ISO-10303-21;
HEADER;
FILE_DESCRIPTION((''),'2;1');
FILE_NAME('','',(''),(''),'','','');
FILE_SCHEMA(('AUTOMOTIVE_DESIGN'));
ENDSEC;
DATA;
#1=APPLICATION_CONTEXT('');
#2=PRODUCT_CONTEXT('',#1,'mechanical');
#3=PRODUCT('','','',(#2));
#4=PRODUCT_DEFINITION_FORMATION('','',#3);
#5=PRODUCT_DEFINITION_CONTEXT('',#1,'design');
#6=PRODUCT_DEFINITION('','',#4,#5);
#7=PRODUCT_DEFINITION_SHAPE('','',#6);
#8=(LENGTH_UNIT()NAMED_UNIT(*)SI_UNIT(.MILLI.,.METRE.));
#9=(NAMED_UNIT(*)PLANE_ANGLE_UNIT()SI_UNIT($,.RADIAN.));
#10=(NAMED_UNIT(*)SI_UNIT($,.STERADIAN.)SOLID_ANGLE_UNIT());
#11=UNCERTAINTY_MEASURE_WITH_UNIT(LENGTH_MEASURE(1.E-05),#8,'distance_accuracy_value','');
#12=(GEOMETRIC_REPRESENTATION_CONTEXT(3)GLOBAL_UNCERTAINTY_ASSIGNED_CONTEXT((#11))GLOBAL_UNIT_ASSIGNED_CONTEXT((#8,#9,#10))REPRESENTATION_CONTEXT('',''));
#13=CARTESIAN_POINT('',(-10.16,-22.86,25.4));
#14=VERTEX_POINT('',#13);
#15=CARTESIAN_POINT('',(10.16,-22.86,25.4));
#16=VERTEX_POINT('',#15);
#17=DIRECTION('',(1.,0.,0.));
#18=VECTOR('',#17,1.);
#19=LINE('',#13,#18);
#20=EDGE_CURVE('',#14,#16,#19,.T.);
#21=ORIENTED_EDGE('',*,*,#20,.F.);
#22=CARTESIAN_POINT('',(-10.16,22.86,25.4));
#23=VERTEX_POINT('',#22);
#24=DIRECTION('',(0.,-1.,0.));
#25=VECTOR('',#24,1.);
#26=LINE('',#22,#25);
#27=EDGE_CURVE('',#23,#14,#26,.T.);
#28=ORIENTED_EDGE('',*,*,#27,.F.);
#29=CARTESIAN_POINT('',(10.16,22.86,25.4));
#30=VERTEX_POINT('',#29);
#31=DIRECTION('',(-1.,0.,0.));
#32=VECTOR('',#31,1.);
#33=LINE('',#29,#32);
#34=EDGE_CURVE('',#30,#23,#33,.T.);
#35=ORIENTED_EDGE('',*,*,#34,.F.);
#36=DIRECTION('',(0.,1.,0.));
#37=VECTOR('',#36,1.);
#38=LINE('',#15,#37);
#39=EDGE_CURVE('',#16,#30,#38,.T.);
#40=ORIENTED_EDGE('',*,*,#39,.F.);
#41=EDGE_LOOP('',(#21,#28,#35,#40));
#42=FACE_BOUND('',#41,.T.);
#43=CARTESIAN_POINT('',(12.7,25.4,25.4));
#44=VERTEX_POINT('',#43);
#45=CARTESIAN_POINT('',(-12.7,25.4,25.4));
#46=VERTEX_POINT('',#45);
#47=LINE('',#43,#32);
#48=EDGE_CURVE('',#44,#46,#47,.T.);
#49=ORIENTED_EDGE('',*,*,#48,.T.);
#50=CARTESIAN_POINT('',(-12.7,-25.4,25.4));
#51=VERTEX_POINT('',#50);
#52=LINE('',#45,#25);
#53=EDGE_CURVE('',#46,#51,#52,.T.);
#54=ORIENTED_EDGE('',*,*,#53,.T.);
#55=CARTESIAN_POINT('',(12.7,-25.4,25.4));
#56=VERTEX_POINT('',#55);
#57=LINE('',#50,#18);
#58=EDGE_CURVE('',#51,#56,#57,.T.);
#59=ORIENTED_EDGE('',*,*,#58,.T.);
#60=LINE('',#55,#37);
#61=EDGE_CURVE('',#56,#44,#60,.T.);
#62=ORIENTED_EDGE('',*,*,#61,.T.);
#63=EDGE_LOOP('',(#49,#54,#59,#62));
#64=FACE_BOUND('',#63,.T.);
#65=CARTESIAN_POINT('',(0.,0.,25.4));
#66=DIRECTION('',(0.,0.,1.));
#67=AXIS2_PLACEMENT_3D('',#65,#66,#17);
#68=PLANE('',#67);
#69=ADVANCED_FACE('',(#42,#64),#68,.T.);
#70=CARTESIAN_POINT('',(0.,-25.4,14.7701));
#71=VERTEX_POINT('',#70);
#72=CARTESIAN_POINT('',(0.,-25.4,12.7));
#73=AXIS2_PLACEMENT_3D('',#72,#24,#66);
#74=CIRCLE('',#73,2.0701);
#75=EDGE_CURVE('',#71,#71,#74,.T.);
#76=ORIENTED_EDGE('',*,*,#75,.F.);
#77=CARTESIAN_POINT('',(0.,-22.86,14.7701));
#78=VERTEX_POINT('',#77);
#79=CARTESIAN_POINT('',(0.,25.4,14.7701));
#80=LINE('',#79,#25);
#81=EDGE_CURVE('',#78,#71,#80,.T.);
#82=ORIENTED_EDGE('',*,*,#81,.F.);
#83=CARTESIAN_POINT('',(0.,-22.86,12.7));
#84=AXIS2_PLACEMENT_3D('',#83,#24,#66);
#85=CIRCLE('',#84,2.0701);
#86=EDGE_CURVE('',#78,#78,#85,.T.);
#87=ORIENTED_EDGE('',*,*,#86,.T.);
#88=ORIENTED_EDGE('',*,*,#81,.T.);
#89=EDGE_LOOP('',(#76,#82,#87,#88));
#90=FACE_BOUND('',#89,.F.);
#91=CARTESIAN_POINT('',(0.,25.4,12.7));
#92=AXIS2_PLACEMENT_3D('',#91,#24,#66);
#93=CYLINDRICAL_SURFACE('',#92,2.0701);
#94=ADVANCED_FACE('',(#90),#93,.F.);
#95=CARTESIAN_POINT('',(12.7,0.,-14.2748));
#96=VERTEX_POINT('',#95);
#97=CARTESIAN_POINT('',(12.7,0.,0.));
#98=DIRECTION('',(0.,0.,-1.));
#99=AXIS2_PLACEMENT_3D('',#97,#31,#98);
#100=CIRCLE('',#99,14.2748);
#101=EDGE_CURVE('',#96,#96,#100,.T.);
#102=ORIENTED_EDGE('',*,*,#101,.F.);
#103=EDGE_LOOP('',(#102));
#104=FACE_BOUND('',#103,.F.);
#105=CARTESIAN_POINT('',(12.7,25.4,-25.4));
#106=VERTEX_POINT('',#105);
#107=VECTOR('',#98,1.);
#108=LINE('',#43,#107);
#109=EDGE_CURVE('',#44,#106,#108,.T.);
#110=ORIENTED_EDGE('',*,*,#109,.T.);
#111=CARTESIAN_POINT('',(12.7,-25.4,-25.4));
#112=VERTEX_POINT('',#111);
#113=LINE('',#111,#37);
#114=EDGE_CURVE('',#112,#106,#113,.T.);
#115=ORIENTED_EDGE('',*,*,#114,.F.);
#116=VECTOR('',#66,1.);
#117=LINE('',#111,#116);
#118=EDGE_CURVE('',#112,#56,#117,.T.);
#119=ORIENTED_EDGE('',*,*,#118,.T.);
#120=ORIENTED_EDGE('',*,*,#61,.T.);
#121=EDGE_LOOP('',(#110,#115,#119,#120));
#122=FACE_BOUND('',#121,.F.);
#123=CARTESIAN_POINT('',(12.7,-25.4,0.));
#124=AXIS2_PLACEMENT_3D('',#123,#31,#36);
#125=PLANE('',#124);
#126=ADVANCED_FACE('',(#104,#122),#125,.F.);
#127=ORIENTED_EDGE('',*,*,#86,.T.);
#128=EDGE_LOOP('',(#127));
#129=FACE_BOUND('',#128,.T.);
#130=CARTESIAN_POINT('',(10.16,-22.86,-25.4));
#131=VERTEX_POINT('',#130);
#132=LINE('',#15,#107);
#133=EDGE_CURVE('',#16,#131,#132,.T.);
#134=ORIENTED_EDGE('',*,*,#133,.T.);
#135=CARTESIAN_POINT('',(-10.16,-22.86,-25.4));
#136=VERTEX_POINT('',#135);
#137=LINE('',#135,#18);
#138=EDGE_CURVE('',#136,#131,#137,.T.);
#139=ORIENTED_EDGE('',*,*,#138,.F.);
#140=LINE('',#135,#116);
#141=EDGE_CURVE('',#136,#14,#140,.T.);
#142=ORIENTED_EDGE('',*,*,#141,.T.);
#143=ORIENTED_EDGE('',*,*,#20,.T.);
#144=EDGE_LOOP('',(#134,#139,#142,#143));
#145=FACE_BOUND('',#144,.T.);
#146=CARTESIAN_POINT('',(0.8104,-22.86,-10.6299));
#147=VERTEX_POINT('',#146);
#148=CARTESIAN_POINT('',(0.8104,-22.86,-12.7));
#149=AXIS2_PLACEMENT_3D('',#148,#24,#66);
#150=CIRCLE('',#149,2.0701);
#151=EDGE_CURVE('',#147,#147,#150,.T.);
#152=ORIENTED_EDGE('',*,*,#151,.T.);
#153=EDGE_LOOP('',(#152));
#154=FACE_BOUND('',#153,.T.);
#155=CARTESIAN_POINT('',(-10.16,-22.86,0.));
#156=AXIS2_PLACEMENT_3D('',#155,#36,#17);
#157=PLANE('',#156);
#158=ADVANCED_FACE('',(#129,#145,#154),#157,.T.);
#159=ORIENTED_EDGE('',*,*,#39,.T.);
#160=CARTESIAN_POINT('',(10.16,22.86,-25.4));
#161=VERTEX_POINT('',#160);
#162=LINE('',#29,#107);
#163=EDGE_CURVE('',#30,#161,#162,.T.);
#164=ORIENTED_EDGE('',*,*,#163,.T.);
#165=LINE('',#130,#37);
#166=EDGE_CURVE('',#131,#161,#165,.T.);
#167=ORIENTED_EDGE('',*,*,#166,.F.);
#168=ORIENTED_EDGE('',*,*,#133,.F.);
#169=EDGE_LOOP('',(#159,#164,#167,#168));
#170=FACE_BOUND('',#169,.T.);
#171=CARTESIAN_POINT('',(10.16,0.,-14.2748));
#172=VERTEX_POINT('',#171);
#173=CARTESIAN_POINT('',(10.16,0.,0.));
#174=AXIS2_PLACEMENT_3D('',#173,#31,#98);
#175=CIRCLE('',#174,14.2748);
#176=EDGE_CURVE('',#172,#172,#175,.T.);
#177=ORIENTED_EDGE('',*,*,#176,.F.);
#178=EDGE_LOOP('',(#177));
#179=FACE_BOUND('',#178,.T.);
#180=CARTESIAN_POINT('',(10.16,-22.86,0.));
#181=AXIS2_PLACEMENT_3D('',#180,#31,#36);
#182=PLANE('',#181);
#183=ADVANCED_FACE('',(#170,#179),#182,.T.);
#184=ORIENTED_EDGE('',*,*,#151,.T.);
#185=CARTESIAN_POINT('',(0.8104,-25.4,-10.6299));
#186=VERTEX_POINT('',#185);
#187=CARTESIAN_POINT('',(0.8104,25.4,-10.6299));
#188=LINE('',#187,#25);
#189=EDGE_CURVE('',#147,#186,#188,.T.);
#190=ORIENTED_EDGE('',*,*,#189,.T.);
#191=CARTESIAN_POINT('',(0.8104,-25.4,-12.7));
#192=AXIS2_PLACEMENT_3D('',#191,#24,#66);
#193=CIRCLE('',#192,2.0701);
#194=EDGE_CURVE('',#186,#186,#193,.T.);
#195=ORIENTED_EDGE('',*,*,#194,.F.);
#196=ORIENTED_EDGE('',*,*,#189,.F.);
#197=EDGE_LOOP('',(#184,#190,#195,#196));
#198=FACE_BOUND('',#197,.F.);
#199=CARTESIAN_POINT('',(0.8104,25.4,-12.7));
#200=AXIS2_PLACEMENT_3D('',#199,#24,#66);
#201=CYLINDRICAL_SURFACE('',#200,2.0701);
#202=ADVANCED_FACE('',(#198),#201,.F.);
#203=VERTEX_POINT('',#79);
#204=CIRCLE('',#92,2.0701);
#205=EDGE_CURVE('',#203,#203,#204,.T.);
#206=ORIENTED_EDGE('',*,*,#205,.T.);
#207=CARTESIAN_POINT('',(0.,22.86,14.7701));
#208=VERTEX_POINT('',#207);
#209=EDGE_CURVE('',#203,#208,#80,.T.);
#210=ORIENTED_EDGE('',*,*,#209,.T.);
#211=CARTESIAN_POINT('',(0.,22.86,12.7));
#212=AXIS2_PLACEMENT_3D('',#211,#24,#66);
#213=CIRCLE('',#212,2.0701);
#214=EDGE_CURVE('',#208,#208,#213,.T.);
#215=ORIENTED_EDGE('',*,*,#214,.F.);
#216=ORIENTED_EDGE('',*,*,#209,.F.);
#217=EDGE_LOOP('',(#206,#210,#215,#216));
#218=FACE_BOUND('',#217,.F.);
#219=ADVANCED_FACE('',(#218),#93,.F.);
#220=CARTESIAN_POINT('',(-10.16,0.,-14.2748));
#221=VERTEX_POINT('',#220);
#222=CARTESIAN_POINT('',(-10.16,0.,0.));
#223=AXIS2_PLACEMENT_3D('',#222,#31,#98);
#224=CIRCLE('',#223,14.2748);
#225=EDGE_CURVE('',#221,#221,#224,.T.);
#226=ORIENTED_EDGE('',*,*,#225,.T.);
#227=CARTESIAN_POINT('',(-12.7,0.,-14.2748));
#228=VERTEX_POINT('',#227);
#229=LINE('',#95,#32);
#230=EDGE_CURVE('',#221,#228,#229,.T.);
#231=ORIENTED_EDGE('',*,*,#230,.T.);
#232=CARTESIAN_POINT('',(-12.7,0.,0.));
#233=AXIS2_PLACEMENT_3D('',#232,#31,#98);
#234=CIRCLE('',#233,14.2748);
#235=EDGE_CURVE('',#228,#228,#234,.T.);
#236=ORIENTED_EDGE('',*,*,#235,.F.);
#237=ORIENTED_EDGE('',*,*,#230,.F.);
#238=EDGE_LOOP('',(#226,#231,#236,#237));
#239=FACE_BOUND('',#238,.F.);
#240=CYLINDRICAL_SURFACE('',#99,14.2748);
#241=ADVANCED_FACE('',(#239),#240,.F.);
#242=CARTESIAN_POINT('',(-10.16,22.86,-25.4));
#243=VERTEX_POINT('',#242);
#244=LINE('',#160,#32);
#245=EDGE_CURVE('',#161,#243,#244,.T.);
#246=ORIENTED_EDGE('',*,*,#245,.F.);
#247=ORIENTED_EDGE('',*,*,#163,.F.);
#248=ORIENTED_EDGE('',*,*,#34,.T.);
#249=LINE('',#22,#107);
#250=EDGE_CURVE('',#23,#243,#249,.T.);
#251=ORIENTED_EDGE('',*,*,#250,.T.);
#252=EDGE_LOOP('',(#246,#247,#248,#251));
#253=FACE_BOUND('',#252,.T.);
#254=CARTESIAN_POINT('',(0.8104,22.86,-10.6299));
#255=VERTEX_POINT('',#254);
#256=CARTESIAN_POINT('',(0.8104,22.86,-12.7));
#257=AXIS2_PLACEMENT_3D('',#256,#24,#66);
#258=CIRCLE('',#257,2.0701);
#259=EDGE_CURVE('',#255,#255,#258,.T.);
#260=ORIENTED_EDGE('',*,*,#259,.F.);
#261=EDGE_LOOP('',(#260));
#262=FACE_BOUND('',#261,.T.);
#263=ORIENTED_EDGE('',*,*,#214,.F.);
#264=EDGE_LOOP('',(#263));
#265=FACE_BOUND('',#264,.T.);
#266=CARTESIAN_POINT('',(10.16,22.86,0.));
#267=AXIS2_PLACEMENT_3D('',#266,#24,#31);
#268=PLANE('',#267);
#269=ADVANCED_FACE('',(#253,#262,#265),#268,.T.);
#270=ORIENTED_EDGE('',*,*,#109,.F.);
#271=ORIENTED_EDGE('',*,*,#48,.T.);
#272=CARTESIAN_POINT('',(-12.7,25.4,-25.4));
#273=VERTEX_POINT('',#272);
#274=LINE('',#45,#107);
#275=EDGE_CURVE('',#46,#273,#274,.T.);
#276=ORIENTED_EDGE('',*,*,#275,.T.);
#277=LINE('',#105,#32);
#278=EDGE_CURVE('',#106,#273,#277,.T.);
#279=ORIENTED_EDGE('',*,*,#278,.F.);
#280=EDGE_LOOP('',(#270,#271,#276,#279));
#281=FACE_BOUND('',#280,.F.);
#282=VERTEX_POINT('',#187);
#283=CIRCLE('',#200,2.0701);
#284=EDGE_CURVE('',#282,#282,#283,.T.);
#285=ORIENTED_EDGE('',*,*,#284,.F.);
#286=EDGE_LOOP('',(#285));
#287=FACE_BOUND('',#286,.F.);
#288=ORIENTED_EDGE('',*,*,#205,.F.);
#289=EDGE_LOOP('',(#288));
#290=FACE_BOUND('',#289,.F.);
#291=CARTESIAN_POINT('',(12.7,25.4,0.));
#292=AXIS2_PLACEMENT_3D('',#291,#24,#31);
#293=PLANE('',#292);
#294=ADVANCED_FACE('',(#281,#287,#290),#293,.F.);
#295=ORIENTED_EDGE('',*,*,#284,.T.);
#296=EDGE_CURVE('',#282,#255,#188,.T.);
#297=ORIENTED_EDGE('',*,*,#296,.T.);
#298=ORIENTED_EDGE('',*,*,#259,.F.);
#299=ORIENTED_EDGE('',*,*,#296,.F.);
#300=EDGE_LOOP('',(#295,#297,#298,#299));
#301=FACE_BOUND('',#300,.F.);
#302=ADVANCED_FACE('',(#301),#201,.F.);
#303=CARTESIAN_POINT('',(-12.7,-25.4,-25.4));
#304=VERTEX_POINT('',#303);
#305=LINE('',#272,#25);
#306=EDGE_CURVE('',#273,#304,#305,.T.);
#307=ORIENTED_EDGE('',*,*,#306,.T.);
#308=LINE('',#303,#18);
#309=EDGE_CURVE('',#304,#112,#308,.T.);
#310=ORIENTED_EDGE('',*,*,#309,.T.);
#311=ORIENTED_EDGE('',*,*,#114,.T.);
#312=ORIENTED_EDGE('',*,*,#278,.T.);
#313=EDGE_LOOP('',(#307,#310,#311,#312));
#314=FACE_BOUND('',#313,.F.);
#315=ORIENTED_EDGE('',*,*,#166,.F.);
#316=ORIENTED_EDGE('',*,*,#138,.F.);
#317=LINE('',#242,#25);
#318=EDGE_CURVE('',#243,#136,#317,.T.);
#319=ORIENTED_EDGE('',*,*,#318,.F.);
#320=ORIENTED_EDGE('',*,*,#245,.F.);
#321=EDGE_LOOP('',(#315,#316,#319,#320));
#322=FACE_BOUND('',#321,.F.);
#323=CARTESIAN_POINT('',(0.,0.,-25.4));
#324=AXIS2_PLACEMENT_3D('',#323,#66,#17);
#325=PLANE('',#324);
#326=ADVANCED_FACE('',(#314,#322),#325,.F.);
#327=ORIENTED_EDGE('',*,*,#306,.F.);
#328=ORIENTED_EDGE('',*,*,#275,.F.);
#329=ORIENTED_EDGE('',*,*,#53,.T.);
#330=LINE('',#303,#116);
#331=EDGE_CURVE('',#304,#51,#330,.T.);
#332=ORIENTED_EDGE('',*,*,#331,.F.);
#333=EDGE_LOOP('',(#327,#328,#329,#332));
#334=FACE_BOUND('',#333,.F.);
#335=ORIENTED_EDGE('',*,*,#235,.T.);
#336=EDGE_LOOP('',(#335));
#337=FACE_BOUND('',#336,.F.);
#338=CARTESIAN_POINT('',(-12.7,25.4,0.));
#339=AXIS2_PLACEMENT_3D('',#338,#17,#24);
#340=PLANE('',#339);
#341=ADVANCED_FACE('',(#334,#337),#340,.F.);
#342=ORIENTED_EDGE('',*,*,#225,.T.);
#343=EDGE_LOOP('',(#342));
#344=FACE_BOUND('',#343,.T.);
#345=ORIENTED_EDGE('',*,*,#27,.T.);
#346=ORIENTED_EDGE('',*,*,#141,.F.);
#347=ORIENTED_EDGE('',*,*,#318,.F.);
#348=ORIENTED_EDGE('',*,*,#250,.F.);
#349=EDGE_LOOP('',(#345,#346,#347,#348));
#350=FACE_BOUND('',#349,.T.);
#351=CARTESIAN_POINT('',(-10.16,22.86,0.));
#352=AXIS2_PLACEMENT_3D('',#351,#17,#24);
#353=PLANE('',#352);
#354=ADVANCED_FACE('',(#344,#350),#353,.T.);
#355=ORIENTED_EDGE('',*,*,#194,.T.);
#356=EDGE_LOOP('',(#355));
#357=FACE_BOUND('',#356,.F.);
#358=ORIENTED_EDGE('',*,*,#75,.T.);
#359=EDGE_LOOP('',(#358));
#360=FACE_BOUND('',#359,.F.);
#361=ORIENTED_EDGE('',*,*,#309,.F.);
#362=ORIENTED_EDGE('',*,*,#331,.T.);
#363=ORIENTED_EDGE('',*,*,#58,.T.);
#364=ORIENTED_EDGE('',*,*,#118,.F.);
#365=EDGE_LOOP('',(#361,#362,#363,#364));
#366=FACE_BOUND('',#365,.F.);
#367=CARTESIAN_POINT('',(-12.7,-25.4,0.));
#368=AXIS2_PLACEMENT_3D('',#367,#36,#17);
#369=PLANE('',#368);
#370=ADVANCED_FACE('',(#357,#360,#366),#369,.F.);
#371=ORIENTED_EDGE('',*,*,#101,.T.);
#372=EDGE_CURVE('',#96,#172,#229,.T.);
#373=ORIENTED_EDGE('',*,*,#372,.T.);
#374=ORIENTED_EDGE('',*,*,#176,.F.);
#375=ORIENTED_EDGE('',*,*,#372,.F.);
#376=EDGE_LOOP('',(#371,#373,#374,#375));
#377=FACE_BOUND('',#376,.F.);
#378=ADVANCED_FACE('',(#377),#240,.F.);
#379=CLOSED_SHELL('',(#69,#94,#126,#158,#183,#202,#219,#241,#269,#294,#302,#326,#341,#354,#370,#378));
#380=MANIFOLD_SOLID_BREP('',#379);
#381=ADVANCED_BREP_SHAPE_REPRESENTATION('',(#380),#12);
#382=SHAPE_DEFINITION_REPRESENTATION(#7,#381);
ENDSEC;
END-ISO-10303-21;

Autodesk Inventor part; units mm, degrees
ref_plane "YZ Plane" through (0, 0, 0) normal (1, 0, 0) x (0, 1, 0)
ref_plane "XZ Plane" through (0, 0, 0) normal (0, 1, 0) x (-1, 0, 0)
ref_plane "XY Plane" through (0, 0, 0) normal (0, 0, 1) x (1, 0, 0)
sketch "Sketch1" plane through (0, 0, 0) normal (0, 0, 1) x (1, 0, 0)
  line L0 (-12.7, -25.4) -> (12.7, -25.4)
  line L1 (12.7, -25.4) -> (12.7, 25.4)
  line L2 (12.7, 25.4) -> (-12.7, 25.4)
  line L3 (-12.7, 25.4) -> (-12.7, -25.4)
  line L4 (-12.7, -25.4) -> (12.7, 25.4) construction
  line L5 (12.7, -25.4) -> (-12.7, 25.4) construction
  line L6 (-10.16, -22.86) -> (10.16, -22.86)
  line L7 (10.16, -22.86) -> (10.16, 22.86)
  line L8 (10.16, 22.86) -> (-10.16, 22.86)
  line L9 (-10.16, 22.86) -> (-10.16, -22.86)
  line L10 (-10.16, -22.86) -> (10.16, 22.86) construction
  line L11 (10.16, -22.86) -> (-10.16, 22.86) construction
  point P0 (0, 0)
  dimension "d0" = 25.4
  dimension "d1" = 50.8
  dimension "d2" = 20.32
  dimension "d3" = 45.72
extrude "Extrusion1" add sketch "Sketch1" along normal mid plane 50.8
sketch "Sketch2" plane through (-12.7, 25.4, 25.4) normal (0, 1, 0) x (1, 0, 0)
  line L0 (25.4, 0) -> (0, 0) projected
  line L1 (25.4, 50.8) -> (25.4, 0) projected
  point P0 (12.7, 25.4)
  point P1 (12.7, 12.7)
  point P2 (13.5104, 38.1)
  dimension "d6" = 25.4
  dimension "d7" = 12.7
  dimension "d8" = 12.7
hole "Hole1" at (0, 25.4, 12.7) at (0.8104, 25.4, -12.7) direction (0, -1, 0) diameter 4.1402 end through all
sketch "Sketch3" plane through (12.7, -25.4, 25.4) normal (1, 0, 0) x (0, 0, -1)
  point P0 (25.4, 25.4)
  point P1 (25.4, 25.4)
hole "Hole2" at (12.7, 0, 0) direction (-1, 0, 0) diameter 28.5496 end through all
properties part number "Pulley_holder"
